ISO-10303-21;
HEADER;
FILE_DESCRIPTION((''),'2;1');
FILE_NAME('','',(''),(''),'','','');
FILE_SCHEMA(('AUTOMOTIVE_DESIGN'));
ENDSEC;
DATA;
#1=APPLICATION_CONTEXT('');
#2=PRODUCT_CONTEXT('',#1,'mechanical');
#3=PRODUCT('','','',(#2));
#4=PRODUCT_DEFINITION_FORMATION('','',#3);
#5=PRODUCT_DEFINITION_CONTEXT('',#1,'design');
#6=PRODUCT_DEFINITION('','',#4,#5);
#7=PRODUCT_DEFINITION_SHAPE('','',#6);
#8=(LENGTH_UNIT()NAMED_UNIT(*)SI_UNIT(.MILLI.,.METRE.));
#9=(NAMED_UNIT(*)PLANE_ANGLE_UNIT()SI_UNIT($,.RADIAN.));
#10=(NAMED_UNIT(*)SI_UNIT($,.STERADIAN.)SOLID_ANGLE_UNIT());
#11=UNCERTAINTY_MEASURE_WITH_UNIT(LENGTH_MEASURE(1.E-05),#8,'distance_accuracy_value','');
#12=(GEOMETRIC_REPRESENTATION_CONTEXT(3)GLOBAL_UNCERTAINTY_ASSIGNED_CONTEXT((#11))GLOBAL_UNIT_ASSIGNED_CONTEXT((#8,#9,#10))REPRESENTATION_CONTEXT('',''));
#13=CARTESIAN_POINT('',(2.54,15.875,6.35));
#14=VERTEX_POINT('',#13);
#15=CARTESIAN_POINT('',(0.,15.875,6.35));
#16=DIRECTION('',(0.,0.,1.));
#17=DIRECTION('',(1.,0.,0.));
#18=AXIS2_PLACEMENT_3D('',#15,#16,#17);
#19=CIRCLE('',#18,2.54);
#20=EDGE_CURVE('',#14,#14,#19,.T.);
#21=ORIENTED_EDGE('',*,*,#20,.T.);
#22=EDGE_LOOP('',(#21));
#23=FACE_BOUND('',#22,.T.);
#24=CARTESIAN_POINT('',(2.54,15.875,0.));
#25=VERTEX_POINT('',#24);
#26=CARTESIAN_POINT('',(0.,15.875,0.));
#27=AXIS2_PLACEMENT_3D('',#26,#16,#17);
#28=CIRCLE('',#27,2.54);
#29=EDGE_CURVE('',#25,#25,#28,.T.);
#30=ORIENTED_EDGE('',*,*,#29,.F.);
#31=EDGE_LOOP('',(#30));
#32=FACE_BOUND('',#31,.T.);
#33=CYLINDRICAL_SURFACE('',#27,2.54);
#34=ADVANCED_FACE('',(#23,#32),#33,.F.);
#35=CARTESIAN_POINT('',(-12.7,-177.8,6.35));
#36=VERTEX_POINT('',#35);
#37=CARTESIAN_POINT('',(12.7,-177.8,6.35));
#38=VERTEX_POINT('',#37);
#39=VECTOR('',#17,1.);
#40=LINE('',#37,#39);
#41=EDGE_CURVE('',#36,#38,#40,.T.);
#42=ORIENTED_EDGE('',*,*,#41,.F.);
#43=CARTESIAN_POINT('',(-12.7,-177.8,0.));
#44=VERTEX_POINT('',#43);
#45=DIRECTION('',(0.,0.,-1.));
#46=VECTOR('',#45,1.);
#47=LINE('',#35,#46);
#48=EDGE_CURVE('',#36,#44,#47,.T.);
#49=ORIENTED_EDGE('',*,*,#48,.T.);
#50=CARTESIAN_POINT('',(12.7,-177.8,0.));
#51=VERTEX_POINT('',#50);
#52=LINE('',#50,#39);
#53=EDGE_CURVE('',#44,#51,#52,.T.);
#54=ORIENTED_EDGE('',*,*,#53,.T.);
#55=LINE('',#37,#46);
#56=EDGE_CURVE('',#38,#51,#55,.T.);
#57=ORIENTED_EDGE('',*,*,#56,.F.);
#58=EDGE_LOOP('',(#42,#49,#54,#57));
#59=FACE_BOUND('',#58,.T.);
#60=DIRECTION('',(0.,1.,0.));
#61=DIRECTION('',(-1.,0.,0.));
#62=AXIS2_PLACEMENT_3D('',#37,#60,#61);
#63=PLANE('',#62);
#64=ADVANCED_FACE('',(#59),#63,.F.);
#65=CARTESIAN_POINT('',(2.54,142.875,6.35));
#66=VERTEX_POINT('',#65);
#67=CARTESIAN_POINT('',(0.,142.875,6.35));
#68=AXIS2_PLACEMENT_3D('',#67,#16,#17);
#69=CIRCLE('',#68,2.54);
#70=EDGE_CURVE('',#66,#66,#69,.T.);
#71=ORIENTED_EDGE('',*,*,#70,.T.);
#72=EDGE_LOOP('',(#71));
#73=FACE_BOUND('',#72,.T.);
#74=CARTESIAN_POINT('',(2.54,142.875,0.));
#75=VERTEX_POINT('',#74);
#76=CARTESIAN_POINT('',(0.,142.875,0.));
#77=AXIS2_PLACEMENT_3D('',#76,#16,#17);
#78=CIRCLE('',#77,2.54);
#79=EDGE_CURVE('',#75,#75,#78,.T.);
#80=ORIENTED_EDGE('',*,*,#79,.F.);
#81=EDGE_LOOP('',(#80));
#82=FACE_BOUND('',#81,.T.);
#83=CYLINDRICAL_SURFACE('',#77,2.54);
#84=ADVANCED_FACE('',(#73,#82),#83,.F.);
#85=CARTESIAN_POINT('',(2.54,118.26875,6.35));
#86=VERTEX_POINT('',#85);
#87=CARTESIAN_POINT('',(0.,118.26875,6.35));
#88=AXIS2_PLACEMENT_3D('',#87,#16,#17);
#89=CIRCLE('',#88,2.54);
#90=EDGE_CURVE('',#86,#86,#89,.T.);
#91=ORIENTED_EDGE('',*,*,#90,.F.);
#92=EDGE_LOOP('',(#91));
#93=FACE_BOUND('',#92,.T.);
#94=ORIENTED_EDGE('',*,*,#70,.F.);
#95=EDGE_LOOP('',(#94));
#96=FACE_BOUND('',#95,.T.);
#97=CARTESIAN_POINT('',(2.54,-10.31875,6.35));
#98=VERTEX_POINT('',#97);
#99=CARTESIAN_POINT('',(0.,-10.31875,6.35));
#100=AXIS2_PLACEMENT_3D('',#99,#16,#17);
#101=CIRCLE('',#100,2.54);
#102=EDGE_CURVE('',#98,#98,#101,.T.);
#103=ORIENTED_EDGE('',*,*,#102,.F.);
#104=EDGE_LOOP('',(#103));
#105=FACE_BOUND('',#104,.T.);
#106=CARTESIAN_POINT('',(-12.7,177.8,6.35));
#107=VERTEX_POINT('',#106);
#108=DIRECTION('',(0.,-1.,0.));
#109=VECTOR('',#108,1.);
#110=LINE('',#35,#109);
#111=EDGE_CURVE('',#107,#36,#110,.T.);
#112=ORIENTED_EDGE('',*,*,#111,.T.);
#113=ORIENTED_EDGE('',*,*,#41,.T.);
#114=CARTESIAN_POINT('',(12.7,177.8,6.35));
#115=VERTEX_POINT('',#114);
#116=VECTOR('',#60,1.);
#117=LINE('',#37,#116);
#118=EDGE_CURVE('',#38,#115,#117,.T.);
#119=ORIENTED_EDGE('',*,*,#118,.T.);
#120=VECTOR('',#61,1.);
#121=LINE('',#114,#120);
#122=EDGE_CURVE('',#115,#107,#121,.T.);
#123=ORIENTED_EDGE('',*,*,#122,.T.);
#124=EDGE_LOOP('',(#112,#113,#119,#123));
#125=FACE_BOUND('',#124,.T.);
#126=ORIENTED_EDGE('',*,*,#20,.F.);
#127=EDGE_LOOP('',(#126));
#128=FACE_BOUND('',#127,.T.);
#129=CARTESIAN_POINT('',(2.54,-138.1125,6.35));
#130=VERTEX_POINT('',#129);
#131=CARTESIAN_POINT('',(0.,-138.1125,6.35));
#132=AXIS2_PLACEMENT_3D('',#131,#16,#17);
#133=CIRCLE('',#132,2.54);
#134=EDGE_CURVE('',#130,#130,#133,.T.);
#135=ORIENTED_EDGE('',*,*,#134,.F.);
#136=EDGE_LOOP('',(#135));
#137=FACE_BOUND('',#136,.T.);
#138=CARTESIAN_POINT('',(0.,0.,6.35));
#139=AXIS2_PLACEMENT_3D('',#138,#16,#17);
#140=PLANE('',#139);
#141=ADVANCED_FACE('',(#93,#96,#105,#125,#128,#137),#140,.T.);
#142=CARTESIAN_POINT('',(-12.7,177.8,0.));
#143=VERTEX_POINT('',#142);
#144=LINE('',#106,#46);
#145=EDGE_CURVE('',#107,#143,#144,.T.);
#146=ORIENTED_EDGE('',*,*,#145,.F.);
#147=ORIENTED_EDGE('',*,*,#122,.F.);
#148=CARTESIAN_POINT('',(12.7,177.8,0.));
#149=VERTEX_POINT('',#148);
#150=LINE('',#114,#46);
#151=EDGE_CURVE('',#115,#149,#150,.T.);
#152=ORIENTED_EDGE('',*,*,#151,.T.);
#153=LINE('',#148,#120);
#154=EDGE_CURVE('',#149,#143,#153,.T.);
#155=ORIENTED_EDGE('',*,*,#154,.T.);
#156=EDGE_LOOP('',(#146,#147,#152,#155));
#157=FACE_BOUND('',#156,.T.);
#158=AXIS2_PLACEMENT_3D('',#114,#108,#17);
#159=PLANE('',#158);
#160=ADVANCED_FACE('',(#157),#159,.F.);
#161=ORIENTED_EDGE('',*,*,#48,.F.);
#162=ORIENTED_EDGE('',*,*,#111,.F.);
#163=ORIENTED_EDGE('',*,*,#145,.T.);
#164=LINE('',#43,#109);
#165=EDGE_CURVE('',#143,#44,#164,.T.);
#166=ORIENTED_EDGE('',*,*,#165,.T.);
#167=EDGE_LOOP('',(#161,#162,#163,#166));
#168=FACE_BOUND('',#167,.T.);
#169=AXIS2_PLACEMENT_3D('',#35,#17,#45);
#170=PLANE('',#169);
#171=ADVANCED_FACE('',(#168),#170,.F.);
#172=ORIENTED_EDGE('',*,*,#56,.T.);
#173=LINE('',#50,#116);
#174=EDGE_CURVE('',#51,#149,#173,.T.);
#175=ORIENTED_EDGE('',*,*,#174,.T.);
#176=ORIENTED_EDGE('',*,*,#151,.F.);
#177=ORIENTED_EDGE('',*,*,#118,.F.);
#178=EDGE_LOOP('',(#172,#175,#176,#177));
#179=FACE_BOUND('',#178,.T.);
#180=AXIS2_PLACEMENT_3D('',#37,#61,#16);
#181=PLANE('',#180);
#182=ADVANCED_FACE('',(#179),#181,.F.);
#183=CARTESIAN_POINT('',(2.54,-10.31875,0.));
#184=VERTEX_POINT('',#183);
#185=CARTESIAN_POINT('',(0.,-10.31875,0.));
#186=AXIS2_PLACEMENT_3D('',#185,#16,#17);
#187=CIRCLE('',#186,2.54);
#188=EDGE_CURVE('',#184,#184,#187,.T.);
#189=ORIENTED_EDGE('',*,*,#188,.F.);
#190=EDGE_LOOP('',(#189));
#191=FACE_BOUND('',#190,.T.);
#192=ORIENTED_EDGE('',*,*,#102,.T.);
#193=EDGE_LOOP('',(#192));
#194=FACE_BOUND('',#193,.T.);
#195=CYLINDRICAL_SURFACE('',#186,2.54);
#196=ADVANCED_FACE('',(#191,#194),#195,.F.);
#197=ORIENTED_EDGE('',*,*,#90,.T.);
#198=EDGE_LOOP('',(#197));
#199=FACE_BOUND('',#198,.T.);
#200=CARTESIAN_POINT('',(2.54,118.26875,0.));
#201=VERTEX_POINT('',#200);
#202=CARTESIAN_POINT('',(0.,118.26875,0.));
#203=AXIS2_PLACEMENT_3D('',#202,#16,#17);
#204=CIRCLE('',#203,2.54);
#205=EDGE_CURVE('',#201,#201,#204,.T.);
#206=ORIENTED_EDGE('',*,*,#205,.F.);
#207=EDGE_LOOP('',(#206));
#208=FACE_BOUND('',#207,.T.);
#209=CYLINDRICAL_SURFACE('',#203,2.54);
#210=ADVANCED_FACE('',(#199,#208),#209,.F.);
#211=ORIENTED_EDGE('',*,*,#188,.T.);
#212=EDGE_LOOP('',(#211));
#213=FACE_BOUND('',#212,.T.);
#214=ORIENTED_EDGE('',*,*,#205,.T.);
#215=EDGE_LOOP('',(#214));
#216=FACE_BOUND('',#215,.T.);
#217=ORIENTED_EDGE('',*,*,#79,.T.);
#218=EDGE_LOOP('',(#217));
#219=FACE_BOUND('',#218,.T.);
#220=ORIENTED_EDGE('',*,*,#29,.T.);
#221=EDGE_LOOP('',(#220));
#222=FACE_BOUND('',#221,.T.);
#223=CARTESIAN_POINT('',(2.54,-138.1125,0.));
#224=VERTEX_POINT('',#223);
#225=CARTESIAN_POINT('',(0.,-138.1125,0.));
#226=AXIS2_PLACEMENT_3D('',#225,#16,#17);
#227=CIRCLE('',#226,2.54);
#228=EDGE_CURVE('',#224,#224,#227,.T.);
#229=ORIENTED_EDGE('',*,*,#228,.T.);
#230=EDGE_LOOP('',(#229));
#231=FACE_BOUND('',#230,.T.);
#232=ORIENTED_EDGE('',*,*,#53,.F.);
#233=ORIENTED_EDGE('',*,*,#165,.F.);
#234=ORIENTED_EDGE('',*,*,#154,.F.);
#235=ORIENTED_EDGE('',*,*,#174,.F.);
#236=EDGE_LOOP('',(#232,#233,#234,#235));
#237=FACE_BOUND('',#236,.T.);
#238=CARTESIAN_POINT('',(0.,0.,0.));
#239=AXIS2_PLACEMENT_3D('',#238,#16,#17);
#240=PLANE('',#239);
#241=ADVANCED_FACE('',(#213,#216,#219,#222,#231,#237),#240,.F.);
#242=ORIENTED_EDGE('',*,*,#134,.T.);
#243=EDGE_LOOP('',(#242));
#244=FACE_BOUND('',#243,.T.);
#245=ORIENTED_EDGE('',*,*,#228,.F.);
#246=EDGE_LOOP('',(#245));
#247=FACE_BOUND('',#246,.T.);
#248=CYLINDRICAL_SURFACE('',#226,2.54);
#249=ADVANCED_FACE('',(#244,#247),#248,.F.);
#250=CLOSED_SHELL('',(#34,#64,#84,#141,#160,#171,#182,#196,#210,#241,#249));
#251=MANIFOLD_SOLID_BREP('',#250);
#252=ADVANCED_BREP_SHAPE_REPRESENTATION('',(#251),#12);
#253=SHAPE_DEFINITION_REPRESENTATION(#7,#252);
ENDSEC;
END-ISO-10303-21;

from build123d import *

# Parameters (mm, degrees)
SKETCH1_W           = 25.4
SKETCH1_H           = 355.6
BOSS_EXTRUDE1_DEPTH = 6.35
SKETCH2_R           = 2.54
CUT_EXTRUDE1_DEPTH  = 7.35


with BuildPart() as part:
    # Sketch1 → Boss-Extrude1 (new body)
    with BuildSketch(Plane.XY):
        Rectangle(SKETCH1_W, SKETCH1_H)
    extrude(amount=BOSS_EXTRUDE1_DEPTH)

    # Sketch2 → Cut-Extrude1 (cut, through all)
    with BuildSketch(Plane.XY.offset(6.35)):
        with Locations((0, 142.875)):
            Circle(SKETCH2_R)
        with Locations((0, 118.26875)):
            Circle(SKETCH2_R)
        with Locations((0, 15.875)):
            Circle(SKETCH2_R)
        with Locations((0, -10.31875)):
            Circle(SKETCH2_R)
        with Locations((0, -138.1125)):
            Circle(SKETCH2_R)
    extrude(amount=-CUT_EXTRUDE1_DEPTH, mode=Mode.SUBTRACT)


solid = part.part
